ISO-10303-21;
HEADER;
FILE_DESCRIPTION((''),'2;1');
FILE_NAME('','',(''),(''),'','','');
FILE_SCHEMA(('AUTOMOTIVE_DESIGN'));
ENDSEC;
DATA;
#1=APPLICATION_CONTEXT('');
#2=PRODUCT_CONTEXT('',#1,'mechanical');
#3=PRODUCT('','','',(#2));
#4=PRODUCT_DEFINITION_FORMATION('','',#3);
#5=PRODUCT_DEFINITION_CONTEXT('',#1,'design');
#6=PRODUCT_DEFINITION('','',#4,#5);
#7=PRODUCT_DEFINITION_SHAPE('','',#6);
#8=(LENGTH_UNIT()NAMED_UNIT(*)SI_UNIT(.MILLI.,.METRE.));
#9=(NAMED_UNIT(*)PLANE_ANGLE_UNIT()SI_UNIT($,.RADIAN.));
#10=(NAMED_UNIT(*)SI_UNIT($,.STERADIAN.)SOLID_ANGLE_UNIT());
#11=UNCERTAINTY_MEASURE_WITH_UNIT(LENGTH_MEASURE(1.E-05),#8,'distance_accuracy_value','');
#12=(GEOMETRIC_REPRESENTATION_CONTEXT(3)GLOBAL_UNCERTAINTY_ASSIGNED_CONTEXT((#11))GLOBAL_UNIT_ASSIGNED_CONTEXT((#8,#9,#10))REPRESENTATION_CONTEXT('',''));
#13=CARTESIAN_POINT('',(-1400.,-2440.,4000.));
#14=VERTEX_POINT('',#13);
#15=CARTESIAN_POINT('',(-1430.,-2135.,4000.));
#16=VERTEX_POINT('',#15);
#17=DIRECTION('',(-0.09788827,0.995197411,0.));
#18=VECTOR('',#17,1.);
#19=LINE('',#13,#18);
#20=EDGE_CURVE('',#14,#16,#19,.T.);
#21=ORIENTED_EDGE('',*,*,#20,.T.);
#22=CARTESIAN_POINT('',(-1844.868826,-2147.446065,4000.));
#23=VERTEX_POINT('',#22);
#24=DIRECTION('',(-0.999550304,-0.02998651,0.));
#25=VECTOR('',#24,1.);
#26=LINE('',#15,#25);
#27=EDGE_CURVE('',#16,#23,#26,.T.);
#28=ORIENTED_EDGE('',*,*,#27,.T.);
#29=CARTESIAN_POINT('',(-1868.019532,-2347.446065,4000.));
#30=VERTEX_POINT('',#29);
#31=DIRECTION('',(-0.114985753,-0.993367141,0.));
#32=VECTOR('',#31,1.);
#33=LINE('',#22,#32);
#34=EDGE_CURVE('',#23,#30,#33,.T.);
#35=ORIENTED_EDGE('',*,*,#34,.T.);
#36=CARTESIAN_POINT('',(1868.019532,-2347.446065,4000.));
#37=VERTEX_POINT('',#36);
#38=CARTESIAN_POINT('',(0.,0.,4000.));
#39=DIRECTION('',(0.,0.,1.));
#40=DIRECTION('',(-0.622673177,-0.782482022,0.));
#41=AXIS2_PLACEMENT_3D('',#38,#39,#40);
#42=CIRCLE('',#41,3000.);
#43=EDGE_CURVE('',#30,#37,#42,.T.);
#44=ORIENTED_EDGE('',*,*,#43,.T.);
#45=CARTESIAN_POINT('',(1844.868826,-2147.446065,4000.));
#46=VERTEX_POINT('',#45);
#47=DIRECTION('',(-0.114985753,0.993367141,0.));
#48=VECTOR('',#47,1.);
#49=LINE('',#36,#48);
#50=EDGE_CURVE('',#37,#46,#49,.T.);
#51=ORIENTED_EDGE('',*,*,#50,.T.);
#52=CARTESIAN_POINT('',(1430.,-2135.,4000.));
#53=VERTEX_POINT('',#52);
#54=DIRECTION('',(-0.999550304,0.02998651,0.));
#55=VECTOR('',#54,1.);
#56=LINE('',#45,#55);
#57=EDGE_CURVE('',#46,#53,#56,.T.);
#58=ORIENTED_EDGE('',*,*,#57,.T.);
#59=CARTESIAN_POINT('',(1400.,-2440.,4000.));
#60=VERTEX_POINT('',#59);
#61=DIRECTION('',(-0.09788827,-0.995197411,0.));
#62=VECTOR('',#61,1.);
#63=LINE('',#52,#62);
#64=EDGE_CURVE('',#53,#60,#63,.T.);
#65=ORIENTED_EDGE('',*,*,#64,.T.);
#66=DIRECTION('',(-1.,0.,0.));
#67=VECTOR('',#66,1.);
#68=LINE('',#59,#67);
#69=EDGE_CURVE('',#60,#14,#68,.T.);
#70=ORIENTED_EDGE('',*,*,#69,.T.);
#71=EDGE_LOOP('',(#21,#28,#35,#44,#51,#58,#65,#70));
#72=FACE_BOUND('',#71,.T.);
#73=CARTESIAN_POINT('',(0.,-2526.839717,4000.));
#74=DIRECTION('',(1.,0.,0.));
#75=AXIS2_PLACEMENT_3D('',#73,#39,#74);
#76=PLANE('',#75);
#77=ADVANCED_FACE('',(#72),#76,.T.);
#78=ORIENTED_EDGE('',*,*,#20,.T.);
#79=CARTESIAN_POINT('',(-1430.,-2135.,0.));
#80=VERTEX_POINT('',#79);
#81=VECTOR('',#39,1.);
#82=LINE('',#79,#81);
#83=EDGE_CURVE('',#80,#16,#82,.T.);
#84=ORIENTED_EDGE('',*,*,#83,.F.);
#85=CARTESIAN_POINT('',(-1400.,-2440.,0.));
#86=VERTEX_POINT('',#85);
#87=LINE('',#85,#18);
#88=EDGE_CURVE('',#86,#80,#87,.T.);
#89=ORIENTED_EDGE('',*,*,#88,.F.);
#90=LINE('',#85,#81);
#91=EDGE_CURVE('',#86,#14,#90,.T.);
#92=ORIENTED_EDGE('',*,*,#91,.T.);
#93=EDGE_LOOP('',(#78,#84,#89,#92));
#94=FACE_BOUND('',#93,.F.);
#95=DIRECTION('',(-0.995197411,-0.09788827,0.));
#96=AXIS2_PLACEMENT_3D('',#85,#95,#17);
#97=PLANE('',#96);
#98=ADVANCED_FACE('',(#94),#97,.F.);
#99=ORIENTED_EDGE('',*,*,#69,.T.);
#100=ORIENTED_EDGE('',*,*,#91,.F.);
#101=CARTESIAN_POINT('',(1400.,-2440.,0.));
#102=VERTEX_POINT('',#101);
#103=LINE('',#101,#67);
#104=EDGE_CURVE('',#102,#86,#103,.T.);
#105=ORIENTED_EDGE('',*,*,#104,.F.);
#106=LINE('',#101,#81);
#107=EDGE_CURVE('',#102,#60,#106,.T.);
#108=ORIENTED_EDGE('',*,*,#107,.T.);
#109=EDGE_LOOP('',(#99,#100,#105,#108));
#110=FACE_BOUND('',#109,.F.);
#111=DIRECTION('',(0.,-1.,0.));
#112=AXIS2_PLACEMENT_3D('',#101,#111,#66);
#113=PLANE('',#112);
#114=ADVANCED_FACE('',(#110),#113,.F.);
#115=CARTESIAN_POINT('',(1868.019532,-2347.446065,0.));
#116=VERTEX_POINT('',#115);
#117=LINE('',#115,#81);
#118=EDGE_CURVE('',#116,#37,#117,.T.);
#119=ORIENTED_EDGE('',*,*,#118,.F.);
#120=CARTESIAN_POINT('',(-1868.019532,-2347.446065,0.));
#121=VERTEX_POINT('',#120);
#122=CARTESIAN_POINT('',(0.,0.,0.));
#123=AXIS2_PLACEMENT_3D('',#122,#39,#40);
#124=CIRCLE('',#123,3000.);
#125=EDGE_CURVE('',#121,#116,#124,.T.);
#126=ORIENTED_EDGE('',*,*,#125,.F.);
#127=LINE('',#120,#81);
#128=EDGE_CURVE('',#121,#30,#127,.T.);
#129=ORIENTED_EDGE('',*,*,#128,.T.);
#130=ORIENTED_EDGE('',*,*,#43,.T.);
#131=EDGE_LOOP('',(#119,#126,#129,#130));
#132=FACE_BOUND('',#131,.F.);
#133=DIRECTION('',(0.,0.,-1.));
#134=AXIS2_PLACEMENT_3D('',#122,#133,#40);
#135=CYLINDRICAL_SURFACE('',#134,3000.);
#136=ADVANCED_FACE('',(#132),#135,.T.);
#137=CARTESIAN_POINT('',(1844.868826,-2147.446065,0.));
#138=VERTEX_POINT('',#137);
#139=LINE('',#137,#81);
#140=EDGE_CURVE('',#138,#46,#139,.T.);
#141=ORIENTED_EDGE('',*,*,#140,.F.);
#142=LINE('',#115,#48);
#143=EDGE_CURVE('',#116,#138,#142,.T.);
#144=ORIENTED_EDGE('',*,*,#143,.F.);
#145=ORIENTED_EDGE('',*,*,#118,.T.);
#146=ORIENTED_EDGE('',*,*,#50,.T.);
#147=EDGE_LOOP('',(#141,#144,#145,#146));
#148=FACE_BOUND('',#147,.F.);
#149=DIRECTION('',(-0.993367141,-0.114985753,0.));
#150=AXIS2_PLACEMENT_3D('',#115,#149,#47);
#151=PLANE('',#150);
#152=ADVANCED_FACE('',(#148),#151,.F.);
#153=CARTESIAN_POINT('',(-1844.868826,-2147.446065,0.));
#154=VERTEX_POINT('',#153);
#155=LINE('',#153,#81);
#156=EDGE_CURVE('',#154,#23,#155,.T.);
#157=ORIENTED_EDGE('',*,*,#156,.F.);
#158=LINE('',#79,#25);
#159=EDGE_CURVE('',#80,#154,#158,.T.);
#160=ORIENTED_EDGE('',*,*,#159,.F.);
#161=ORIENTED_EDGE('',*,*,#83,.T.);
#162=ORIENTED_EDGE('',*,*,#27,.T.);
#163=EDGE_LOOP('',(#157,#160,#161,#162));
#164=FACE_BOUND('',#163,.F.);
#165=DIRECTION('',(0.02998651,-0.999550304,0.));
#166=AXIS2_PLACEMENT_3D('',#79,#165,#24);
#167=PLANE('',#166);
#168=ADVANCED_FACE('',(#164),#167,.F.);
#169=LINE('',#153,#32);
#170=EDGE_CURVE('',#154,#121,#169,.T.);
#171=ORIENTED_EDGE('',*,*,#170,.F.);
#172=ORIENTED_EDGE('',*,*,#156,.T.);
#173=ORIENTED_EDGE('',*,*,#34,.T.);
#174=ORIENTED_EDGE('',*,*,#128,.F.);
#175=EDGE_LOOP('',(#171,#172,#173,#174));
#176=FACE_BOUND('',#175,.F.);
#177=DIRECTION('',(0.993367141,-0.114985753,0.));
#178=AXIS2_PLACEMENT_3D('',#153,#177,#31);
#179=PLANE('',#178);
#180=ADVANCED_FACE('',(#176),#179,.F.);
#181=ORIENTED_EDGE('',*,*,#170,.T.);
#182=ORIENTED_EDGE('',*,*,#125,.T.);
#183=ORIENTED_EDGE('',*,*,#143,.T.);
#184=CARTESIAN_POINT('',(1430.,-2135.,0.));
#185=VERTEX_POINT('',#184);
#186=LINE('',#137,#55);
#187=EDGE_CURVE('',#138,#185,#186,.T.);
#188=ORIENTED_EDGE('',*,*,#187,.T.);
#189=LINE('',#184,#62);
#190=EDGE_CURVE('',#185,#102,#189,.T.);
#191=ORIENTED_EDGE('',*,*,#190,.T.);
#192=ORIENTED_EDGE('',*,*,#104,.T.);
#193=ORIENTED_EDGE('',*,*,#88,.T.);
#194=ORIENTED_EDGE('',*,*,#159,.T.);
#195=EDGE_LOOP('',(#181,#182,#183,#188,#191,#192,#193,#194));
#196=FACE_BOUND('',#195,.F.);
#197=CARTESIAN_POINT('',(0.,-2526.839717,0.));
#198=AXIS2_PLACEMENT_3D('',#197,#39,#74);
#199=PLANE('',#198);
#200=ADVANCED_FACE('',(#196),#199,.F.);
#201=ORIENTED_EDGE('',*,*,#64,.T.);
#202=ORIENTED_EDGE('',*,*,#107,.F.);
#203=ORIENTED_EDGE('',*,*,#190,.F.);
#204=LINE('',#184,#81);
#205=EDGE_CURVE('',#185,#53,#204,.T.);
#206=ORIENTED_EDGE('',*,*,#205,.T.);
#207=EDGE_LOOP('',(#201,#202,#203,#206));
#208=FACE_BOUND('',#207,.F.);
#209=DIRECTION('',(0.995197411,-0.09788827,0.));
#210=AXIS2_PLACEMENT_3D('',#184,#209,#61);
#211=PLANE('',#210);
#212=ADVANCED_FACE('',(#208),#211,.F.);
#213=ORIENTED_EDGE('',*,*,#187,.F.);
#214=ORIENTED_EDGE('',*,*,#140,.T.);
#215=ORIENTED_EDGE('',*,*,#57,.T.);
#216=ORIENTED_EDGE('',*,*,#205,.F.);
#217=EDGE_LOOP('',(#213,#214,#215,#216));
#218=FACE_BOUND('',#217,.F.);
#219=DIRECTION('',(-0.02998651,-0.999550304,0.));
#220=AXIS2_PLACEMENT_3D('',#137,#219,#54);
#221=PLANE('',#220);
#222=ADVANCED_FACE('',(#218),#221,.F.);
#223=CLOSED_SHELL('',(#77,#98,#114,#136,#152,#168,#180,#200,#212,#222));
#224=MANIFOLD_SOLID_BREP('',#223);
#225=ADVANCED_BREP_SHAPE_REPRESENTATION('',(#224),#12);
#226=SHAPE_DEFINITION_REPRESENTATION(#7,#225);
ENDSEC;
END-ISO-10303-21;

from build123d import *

# Parameters (mm, degrees)
F1_DEPTH = 4000


with BuildPart() as f1:
    # F0 (on Top) → F1 (new body)
    with BuildSketch(Plane.XY):
        with BuildLine():
            Line((-1844.868826, -2147.446065), (-1868.019532, -2347.446065))
            ThreePointArc((-1868.019532, -2347.446065), (0, -3000), (1868.019532, -2347.446065))
            Line((1868.019532, -2347.446065), (1844.868826, -2147.446065))
            Line((1844.868826, -2147.446065), (1430, -2135))
            Line((1430, -2135), (1400, -2440))
            Line((1400, -2440), (0, -2440))
            Line((0, -2440), (-1400, -2440))
            Line((-1400, -2440), (-1430, -2135))
            Line((-1430, -2135), (-1844.868826, -2147.446065))
        make_face()
    extrude(amount=F1_DEPTH)


solid = f1.part
